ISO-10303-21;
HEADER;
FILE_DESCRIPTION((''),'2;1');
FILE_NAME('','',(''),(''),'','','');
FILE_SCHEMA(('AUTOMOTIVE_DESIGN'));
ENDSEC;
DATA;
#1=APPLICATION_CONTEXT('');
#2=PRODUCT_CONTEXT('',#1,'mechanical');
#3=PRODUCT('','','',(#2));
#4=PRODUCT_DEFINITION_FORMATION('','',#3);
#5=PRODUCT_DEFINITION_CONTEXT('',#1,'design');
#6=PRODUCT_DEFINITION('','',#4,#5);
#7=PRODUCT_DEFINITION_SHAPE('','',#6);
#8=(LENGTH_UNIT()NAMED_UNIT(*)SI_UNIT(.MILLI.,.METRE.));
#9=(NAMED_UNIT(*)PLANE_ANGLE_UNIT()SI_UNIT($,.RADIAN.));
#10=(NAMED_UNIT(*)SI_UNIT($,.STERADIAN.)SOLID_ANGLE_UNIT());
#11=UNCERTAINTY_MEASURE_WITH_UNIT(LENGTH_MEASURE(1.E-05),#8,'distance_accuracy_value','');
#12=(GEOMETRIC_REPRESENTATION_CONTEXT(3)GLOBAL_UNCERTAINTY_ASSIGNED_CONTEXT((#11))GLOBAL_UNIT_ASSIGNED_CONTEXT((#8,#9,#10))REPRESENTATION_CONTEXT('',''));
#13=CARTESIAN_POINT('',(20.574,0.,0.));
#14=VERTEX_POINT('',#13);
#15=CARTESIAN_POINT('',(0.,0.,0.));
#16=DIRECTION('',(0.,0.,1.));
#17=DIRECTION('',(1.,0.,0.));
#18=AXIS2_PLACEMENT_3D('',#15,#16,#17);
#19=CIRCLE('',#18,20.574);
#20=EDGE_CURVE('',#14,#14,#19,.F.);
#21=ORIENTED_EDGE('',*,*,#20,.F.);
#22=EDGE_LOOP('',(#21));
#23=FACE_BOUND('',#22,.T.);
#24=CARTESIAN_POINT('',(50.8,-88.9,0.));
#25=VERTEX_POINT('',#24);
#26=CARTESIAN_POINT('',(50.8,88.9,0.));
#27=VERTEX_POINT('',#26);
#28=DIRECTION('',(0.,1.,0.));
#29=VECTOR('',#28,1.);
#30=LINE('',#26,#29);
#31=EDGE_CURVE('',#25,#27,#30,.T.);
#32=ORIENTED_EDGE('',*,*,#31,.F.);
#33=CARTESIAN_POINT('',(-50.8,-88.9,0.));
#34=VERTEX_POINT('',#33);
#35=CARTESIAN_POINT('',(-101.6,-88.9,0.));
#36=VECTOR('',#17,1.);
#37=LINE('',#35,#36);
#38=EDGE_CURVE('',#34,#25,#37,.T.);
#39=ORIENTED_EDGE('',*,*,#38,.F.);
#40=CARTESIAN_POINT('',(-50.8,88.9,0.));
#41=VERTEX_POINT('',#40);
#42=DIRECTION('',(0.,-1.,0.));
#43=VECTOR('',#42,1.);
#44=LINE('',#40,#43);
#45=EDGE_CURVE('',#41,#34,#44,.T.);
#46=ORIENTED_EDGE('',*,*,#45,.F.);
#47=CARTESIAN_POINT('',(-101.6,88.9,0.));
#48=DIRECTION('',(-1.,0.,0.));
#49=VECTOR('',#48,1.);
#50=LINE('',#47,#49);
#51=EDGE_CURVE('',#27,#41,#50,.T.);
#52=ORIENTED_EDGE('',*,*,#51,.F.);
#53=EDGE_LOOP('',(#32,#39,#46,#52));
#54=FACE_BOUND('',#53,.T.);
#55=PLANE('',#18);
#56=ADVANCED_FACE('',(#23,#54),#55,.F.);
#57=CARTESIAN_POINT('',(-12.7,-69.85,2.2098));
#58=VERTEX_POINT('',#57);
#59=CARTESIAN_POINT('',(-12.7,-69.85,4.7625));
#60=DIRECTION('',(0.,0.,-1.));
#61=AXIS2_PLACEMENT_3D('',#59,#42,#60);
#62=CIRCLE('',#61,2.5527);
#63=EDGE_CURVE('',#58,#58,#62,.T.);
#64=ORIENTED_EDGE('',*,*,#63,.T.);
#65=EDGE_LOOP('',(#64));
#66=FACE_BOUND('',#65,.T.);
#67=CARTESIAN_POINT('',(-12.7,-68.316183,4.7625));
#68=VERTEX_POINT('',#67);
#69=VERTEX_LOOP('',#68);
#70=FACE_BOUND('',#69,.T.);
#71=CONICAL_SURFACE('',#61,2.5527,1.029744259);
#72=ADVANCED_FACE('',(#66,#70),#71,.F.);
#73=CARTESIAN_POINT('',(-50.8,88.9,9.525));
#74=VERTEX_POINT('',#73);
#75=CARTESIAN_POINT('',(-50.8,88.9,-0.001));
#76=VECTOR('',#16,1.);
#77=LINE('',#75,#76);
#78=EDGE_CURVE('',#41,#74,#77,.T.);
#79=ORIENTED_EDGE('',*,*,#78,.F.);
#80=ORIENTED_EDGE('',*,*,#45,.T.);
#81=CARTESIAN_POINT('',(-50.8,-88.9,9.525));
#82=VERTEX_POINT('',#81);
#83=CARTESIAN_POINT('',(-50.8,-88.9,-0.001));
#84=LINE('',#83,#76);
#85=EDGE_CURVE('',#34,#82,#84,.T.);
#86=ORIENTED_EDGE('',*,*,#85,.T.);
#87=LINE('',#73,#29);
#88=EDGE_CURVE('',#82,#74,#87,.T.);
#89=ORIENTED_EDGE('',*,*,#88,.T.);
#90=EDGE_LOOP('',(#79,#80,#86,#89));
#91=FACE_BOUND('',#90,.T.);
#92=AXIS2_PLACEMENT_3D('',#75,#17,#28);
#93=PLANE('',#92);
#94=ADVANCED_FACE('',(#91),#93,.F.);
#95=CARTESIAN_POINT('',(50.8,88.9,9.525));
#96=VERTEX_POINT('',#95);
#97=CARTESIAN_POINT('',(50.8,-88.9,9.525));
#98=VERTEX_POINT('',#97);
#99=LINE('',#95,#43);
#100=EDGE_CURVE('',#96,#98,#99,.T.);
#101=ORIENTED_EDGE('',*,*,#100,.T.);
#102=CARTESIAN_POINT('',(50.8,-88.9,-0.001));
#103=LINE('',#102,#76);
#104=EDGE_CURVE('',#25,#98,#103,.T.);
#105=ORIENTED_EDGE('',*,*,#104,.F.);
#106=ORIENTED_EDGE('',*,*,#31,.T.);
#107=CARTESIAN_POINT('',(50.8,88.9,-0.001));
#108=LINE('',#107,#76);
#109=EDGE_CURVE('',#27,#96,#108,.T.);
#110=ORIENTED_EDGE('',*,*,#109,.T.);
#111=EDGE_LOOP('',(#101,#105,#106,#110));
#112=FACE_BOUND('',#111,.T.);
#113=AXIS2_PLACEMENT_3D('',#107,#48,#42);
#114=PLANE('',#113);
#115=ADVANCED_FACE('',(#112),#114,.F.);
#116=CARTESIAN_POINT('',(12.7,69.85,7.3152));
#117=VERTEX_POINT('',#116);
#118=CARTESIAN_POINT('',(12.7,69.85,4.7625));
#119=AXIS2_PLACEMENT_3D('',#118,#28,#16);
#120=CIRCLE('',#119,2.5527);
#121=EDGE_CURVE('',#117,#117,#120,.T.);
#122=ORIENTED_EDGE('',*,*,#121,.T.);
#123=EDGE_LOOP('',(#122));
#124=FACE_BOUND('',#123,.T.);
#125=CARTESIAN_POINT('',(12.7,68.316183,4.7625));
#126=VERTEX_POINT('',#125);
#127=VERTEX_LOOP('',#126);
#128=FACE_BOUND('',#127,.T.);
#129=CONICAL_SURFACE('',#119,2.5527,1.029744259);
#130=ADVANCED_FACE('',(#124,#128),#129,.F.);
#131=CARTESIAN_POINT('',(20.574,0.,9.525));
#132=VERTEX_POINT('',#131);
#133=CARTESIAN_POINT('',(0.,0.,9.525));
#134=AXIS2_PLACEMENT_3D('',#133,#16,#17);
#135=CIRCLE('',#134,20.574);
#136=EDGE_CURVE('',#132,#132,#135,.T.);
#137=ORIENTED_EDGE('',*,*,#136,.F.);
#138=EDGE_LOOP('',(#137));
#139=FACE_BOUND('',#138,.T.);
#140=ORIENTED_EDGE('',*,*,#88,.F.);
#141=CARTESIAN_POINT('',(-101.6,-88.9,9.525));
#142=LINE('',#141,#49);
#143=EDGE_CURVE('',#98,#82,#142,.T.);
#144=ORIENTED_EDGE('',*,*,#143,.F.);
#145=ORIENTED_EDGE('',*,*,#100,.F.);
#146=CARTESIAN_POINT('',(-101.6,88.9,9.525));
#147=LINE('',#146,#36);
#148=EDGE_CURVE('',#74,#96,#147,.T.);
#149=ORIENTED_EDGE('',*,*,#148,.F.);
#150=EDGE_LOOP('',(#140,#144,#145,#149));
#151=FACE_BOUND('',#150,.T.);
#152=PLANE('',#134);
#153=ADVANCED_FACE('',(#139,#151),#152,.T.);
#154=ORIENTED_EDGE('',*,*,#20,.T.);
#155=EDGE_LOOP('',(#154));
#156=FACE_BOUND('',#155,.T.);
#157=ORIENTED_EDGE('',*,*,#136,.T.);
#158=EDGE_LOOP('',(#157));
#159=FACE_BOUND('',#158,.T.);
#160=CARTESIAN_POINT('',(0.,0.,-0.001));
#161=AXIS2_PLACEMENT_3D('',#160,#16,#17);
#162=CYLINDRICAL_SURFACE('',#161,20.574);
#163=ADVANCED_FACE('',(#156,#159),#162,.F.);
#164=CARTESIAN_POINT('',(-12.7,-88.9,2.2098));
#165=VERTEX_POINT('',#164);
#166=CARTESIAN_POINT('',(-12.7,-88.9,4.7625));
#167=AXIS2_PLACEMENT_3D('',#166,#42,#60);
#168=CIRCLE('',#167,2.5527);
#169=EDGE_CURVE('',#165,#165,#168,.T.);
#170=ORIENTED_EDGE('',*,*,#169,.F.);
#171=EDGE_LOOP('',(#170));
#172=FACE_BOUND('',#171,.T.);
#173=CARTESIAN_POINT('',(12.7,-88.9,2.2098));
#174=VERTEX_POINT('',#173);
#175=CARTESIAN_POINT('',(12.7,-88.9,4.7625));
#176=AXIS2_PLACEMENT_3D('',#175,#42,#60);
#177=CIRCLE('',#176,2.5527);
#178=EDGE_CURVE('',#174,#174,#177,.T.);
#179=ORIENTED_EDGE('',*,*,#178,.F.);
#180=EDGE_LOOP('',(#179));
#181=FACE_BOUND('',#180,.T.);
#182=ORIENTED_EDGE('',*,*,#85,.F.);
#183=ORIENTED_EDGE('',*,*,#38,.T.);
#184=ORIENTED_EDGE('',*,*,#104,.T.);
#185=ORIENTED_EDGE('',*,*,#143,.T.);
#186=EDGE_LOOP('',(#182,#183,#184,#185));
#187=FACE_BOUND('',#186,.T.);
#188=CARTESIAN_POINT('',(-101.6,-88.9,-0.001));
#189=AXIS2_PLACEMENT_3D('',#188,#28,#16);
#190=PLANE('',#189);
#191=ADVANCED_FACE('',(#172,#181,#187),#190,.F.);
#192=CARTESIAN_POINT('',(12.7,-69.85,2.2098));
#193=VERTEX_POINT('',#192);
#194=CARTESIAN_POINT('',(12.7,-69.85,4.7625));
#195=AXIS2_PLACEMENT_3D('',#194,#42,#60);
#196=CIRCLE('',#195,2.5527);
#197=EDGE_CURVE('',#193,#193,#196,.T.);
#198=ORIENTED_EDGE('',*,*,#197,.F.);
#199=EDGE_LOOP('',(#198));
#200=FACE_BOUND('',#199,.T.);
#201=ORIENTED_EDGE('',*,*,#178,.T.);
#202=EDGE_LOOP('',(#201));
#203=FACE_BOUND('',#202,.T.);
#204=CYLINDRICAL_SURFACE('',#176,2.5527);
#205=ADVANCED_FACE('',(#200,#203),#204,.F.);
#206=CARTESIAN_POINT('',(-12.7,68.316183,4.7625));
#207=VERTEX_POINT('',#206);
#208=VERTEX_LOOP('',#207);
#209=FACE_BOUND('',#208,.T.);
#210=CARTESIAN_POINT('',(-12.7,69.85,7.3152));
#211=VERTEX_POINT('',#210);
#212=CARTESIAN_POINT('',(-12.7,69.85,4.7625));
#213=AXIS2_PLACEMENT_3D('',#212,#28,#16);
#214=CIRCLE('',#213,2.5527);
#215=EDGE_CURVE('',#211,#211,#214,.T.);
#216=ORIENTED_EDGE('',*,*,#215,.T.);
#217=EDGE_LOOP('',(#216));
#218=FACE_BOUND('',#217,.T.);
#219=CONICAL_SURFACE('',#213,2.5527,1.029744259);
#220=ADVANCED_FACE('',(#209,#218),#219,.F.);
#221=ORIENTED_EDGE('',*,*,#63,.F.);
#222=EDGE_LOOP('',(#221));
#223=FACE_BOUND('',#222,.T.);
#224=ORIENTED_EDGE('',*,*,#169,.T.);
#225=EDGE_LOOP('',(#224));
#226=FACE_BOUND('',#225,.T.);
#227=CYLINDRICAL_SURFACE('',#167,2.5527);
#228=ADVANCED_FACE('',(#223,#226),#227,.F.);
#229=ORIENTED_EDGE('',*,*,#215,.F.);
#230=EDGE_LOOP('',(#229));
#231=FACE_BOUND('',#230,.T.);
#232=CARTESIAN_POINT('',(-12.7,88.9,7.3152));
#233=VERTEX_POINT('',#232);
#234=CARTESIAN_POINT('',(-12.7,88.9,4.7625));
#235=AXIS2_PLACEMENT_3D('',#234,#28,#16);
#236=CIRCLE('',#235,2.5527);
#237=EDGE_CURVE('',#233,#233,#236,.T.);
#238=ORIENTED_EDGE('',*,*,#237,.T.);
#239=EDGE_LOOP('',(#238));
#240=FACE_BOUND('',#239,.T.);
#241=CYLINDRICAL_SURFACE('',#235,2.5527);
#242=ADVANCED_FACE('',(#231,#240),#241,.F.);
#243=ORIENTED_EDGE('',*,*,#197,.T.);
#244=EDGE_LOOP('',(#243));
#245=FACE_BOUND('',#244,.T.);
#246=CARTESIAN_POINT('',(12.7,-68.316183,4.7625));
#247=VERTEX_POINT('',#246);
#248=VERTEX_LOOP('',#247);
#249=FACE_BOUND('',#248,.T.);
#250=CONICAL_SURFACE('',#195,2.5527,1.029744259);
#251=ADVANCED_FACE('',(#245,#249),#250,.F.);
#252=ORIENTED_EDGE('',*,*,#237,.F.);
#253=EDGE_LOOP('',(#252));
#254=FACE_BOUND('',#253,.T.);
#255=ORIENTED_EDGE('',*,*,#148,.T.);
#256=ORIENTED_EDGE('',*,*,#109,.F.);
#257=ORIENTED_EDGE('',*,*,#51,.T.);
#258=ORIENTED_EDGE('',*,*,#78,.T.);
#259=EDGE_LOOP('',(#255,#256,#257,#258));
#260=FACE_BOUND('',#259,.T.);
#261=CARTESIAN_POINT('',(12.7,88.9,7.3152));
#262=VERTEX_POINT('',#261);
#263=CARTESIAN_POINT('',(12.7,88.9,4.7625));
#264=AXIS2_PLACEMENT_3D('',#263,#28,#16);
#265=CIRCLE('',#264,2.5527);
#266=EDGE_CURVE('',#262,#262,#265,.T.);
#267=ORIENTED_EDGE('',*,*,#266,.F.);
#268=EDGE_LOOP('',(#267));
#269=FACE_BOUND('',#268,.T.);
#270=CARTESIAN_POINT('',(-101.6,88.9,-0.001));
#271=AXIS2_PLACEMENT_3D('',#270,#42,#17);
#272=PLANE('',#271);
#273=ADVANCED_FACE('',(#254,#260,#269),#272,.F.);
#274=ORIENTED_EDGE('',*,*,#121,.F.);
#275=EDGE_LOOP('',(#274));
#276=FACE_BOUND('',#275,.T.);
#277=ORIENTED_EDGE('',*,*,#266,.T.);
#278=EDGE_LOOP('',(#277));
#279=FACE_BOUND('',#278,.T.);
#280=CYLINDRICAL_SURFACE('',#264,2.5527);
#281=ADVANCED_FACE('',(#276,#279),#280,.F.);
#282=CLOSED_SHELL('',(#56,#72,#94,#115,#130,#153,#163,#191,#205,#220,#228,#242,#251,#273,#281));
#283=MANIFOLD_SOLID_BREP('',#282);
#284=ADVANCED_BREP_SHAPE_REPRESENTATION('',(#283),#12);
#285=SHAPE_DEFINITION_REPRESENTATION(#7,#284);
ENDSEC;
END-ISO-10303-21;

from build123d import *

# Parameters (mm, degrees)
SKETCH1_W                        = 203.2
SKETCH1_H                        = 304.8
BOSS_EXTRUDE1_DEPTH              = 9.525
CUT_EXTRUDE1_REACH               = 185.41
SKETCH2_R                        = 20.574
CUT_EXTRUDE2_REACH               = 185.41
SKETCH3_W                        = 203.2
SKETCH3_H                        = 63.5
F_1_4_20_TAPPED_HOLE1_AT_2_COUNT = 2
F_1_4_20_TAPPED_HOLE1_AT_2_PITCH = 25.4
CUT_EXTRUDE3_REACH               = 137.338
SKETCH6_W                        = 50.8
SKETCH6_H                        = 177.8


with BuildPart() as part:
    # Sketch1 → Boss-Extrude1 (new body)
    with BuildSketch(Plane.XY):
        Rectangle(SKETCH1_W, SKETCH1_H)
    extrude(amount=BOSS_EXTRUDE1_DEPTH)

    # Sketch2 → Cut-Extrude1 (cut, up to next)
    with BuildSketch(Plane.XY.offset(9.525), mode=Mode.PRIVATE) as cut_extrude1_sk1:
        Circle(SKETCH2_R)
    cut_extrude1_tool1 = extrude(cut_extrude1_sk1.sketch, amount=-CUT_EXTRUDE1_REACH, mode=Mode.PRIVATE) & part.part
    add(cut_extrude1_tool1.solids().sort_by_distance((0, 0, 9.525))[0], mode=Mode.SUBTRACT)

    # Sketch3 → Cut-Extrude2 (cut, up to next)
    with BuildSketch(Plane.XY.offset(9.525), mode=Mode.PRIVATE) as cut_extrude2_sk1:
        with Locations((0, -120.65)):
            Rectangle(SKETCH3_W, SKETCH3_H)
    cut_extrude2_tool1 = extrude(cut_extrude2_sk1.sketch, amount=-CUT_EXTRUDE2_REACH, mode=Mode.PRIVATE) & part.part
    # Sketch3 → Cut-Extrude2 (cut, up to next)
    with BuildSketch(Plane.XY.offset(9.525), mode=Mode.PRIVATE) as cut_extrude2_sk2:
        with Locations((0, 120.65)):
            Rectangle(SKETCH3_W, SKETCH3_H)
    cut_extrude2_tool2 = extrude(cut_extrude2_sk2.sketch, amount=-CUT_EXTRUDE2_REACH, mode=Mode.PRIVATE) & part.part
    add(cut_extrude2_tool1.solids().sort_by_distance((0, -120.65, 9.525))[0], mode=Mode.SUBTRACT)
    add(cut_extrude2_tool2.solids().sort_by_distance((0, 120.65, 9.525))[0], mode=Mode.SUBTRACT)

    # Sketch5 → 1/4-20 Tapped Hole1 (revolve, cut)
    with BuildSketch(Plane(origin=(-12.7, 88.9, 4.7625), x_dir=(0, 0, 1), z_dir=(1, 0, 0))):
        Polygon((0, 0), (0, 20.583816902), (2.5527, 19.05), (2.5527, 0), align=None)
    f_1_4_20_tapped_hole1 = revolve(axis=Axis((-12.7, 95.25, 4.7625), (0, -1, 0)), mode=Mode.SUBTRACT)

    # 1/4-20 Tapped Hole1 at 2: 1/4-20 Tapped Hole1 ×2
    with Locations(*[(i * F_1_4_20_TAPPED_HOLE1_AT_2_PITCH, 0, 0) for i in range(1, F_1_4_20_TAPPED_HOLE1_AT_2_COUNT)]):
        add(f_1_4_20_tapped_hole1, mode=Mode.SUBTRACT)

    # Mirror1: 1/4-20 Tapped Hole1 across plane
    add(f_1_4_20_tapped_hole1.mirror(Plane.ZX), mode=Mode.SUBTRACT)

    # Mirror1 copy 1 sketch → Mirror1 copy 1 (revolve, cut)
    with BuildSketch(Plane(origin=(12.7, -88.9, 4.7625), x_dir=(0, 0, 1), z_dir=(1, 0, 0))):
        Polygon((0, 0), (0, -20.583816902), (2.5527, -19.05), (2.5527, 0), align=None)
    revolve(axis=Axis((12.7, -95.25, 4.7625), (0, -1, 0)), mode=Mode.SUBTRACT)

    # Sketch6 → Cut-Extrude3 (cut, up to next)
    with BuildSketch(Plane.XY.offset(9.525), mode=Mode.PRIVATE) as cut_extrude3_sk1:
        with Locations((-76.2, 0)):
            Rectangle(SKETCH6_W, SKETCH6_H)
    cut_extrude3_tool1 = extrude(cut_extrude3_sk1.sketch, amount=-CUT_EXTRUDE3_REACH, mode=Mode.PRIVATE) & part.part
    # Sketch6 → Cut-Extrude3 (cut, up to next)
    with BuildSketch(Plane.XY.offset(9.525), mode=Mode.PRIVATE) as cut_extrude3_sk2:
        with Locations((76.2, 0)):
            Rectangle(SKETCH6_W, SKETCH6_H)
    cut_extrude3_tool2 = extrude(cut_extrude3_sk2.sketch, amount=-CUT_EXTRUDE3_REACH, mode=Mode.PRIVATE) & part.part
    add(cut_extrude3_tool1.solids().sort_by_distance((-76.2, 0, 9.525))[0], mode=Mode.SUBTRACT)
    add(cut_extrude3_tool2.solids().sort_by_distance((76.2, 0, 9.525))[0], mode=Mode.SUBTRACT)


solid = part.part
